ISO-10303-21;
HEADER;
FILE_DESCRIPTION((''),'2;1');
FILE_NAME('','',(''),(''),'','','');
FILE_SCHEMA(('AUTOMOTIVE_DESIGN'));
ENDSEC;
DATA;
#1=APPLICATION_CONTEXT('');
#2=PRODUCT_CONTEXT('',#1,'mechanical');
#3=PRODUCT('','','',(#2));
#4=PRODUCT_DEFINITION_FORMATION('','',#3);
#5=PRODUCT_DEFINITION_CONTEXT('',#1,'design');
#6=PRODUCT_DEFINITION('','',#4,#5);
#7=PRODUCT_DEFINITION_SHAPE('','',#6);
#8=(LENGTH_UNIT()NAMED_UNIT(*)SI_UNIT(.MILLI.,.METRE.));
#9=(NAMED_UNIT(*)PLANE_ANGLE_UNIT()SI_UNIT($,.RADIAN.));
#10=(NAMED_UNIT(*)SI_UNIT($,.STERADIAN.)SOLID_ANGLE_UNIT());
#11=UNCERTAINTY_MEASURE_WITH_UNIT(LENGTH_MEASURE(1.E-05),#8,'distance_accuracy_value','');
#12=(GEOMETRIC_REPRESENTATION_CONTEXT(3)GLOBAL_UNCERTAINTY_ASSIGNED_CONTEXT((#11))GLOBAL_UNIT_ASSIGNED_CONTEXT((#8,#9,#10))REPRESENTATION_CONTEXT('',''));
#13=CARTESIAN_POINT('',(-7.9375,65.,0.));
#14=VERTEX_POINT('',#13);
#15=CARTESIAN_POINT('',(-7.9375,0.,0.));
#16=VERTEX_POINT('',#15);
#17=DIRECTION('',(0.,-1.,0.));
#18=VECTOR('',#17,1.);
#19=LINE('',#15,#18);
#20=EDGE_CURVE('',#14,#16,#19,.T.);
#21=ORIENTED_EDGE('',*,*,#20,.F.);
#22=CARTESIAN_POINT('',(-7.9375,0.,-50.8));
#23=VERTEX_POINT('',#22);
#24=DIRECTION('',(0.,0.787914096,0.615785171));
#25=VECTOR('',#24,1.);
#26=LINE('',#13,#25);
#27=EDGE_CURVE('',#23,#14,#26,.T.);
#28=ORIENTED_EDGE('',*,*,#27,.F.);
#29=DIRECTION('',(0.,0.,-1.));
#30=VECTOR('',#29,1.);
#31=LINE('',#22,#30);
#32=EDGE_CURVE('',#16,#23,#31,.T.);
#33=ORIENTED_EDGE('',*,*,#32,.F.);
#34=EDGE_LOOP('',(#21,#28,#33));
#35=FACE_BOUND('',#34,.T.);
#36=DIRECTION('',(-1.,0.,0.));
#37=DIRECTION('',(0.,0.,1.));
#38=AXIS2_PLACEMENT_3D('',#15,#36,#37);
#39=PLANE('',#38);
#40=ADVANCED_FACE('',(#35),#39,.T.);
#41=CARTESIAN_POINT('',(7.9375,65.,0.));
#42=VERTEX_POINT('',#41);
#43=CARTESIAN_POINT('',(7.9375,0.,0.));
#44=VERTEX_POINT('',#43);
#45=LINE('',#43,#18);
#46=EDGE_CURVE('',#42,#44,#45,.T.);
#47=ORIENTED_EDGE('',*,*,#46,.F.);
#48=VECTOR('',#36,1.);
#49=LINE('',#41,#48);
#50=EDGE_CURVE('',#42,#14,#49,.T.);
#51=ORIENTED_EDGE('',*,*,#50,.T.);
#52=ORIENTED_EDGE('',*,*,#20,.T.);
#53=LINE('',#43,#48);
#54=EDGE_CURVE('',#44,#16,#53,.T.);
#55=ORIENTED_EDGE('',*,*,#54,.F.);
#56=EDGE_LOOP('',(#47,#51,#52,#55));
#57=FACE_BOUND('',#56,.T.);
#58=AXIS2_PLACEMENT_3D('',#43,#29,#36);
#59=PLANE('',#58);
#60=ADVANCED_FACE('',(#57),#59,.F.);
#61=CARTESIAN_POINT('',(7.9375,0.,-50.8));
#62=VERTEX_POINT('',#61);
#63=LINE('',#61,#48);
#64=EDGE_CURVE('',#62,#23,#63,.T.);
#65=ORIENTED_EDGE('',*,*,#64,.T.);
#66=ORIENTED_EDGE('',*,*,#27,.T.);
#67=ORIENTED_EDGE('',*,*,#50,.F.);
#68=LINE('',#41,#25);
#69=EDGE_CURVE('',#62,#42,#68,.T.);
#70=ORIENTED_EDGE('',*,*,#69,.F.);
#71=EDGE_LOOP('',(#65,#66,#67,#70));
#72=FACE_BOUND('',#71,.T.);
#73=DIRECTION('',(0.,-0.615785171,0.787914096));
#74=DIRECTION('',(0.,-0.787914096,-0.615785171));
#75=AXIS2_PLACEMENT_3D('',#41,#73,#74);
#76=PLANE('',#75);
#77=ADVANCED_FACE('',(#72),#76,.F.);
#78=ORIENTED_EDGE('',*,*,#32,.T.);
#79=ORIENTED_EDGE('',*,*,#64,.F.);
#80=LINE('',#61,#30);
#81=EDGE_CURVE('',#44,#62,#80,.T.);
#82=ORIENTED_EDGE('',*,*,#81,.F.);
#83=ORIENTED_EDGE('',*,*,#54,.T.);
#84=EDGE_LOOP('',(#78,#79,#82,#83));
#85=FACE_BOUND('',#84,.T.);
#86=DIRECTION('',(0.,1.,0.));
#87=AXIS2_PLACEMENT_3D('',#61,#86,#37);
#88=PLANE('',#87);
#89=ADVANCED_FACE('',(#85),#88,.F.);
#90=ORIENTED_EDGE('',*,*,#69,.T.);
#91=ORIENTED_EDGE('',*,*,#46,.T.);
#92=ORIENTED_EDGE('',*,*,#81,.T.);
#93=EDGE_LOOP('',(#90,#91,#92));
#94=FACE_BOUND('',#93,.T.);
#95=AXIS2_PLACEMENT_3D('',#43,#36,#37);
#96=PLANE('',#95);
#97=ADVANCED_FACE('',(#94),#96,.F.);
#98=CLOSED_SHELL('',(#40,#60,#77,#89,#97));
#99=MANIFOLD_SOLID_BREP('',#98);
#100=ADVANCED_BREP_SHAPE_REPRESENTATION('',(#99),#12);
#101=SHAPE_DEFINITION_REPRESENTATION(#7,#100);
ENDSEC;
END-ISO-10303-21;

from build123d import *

# Parameters (mm, degrees)
BOSS_EXTRUDE1_DEPTH = 7.9375


with BuildPart() as part:
    # Sketch1 → Boss-Extrude1 (new, symmetric)
    with BuildSketch(Plane(origin=(0, 0, 0), x_dir=(0, 0, -1), z_dir=(1, 0, 0))):
        Polygon((0, 0), (0, 65), (50.8, 0), align=None)
    extrude(amount=BOSS_EXTRUDE1_DEPTH, both=True)


solid = part.part
